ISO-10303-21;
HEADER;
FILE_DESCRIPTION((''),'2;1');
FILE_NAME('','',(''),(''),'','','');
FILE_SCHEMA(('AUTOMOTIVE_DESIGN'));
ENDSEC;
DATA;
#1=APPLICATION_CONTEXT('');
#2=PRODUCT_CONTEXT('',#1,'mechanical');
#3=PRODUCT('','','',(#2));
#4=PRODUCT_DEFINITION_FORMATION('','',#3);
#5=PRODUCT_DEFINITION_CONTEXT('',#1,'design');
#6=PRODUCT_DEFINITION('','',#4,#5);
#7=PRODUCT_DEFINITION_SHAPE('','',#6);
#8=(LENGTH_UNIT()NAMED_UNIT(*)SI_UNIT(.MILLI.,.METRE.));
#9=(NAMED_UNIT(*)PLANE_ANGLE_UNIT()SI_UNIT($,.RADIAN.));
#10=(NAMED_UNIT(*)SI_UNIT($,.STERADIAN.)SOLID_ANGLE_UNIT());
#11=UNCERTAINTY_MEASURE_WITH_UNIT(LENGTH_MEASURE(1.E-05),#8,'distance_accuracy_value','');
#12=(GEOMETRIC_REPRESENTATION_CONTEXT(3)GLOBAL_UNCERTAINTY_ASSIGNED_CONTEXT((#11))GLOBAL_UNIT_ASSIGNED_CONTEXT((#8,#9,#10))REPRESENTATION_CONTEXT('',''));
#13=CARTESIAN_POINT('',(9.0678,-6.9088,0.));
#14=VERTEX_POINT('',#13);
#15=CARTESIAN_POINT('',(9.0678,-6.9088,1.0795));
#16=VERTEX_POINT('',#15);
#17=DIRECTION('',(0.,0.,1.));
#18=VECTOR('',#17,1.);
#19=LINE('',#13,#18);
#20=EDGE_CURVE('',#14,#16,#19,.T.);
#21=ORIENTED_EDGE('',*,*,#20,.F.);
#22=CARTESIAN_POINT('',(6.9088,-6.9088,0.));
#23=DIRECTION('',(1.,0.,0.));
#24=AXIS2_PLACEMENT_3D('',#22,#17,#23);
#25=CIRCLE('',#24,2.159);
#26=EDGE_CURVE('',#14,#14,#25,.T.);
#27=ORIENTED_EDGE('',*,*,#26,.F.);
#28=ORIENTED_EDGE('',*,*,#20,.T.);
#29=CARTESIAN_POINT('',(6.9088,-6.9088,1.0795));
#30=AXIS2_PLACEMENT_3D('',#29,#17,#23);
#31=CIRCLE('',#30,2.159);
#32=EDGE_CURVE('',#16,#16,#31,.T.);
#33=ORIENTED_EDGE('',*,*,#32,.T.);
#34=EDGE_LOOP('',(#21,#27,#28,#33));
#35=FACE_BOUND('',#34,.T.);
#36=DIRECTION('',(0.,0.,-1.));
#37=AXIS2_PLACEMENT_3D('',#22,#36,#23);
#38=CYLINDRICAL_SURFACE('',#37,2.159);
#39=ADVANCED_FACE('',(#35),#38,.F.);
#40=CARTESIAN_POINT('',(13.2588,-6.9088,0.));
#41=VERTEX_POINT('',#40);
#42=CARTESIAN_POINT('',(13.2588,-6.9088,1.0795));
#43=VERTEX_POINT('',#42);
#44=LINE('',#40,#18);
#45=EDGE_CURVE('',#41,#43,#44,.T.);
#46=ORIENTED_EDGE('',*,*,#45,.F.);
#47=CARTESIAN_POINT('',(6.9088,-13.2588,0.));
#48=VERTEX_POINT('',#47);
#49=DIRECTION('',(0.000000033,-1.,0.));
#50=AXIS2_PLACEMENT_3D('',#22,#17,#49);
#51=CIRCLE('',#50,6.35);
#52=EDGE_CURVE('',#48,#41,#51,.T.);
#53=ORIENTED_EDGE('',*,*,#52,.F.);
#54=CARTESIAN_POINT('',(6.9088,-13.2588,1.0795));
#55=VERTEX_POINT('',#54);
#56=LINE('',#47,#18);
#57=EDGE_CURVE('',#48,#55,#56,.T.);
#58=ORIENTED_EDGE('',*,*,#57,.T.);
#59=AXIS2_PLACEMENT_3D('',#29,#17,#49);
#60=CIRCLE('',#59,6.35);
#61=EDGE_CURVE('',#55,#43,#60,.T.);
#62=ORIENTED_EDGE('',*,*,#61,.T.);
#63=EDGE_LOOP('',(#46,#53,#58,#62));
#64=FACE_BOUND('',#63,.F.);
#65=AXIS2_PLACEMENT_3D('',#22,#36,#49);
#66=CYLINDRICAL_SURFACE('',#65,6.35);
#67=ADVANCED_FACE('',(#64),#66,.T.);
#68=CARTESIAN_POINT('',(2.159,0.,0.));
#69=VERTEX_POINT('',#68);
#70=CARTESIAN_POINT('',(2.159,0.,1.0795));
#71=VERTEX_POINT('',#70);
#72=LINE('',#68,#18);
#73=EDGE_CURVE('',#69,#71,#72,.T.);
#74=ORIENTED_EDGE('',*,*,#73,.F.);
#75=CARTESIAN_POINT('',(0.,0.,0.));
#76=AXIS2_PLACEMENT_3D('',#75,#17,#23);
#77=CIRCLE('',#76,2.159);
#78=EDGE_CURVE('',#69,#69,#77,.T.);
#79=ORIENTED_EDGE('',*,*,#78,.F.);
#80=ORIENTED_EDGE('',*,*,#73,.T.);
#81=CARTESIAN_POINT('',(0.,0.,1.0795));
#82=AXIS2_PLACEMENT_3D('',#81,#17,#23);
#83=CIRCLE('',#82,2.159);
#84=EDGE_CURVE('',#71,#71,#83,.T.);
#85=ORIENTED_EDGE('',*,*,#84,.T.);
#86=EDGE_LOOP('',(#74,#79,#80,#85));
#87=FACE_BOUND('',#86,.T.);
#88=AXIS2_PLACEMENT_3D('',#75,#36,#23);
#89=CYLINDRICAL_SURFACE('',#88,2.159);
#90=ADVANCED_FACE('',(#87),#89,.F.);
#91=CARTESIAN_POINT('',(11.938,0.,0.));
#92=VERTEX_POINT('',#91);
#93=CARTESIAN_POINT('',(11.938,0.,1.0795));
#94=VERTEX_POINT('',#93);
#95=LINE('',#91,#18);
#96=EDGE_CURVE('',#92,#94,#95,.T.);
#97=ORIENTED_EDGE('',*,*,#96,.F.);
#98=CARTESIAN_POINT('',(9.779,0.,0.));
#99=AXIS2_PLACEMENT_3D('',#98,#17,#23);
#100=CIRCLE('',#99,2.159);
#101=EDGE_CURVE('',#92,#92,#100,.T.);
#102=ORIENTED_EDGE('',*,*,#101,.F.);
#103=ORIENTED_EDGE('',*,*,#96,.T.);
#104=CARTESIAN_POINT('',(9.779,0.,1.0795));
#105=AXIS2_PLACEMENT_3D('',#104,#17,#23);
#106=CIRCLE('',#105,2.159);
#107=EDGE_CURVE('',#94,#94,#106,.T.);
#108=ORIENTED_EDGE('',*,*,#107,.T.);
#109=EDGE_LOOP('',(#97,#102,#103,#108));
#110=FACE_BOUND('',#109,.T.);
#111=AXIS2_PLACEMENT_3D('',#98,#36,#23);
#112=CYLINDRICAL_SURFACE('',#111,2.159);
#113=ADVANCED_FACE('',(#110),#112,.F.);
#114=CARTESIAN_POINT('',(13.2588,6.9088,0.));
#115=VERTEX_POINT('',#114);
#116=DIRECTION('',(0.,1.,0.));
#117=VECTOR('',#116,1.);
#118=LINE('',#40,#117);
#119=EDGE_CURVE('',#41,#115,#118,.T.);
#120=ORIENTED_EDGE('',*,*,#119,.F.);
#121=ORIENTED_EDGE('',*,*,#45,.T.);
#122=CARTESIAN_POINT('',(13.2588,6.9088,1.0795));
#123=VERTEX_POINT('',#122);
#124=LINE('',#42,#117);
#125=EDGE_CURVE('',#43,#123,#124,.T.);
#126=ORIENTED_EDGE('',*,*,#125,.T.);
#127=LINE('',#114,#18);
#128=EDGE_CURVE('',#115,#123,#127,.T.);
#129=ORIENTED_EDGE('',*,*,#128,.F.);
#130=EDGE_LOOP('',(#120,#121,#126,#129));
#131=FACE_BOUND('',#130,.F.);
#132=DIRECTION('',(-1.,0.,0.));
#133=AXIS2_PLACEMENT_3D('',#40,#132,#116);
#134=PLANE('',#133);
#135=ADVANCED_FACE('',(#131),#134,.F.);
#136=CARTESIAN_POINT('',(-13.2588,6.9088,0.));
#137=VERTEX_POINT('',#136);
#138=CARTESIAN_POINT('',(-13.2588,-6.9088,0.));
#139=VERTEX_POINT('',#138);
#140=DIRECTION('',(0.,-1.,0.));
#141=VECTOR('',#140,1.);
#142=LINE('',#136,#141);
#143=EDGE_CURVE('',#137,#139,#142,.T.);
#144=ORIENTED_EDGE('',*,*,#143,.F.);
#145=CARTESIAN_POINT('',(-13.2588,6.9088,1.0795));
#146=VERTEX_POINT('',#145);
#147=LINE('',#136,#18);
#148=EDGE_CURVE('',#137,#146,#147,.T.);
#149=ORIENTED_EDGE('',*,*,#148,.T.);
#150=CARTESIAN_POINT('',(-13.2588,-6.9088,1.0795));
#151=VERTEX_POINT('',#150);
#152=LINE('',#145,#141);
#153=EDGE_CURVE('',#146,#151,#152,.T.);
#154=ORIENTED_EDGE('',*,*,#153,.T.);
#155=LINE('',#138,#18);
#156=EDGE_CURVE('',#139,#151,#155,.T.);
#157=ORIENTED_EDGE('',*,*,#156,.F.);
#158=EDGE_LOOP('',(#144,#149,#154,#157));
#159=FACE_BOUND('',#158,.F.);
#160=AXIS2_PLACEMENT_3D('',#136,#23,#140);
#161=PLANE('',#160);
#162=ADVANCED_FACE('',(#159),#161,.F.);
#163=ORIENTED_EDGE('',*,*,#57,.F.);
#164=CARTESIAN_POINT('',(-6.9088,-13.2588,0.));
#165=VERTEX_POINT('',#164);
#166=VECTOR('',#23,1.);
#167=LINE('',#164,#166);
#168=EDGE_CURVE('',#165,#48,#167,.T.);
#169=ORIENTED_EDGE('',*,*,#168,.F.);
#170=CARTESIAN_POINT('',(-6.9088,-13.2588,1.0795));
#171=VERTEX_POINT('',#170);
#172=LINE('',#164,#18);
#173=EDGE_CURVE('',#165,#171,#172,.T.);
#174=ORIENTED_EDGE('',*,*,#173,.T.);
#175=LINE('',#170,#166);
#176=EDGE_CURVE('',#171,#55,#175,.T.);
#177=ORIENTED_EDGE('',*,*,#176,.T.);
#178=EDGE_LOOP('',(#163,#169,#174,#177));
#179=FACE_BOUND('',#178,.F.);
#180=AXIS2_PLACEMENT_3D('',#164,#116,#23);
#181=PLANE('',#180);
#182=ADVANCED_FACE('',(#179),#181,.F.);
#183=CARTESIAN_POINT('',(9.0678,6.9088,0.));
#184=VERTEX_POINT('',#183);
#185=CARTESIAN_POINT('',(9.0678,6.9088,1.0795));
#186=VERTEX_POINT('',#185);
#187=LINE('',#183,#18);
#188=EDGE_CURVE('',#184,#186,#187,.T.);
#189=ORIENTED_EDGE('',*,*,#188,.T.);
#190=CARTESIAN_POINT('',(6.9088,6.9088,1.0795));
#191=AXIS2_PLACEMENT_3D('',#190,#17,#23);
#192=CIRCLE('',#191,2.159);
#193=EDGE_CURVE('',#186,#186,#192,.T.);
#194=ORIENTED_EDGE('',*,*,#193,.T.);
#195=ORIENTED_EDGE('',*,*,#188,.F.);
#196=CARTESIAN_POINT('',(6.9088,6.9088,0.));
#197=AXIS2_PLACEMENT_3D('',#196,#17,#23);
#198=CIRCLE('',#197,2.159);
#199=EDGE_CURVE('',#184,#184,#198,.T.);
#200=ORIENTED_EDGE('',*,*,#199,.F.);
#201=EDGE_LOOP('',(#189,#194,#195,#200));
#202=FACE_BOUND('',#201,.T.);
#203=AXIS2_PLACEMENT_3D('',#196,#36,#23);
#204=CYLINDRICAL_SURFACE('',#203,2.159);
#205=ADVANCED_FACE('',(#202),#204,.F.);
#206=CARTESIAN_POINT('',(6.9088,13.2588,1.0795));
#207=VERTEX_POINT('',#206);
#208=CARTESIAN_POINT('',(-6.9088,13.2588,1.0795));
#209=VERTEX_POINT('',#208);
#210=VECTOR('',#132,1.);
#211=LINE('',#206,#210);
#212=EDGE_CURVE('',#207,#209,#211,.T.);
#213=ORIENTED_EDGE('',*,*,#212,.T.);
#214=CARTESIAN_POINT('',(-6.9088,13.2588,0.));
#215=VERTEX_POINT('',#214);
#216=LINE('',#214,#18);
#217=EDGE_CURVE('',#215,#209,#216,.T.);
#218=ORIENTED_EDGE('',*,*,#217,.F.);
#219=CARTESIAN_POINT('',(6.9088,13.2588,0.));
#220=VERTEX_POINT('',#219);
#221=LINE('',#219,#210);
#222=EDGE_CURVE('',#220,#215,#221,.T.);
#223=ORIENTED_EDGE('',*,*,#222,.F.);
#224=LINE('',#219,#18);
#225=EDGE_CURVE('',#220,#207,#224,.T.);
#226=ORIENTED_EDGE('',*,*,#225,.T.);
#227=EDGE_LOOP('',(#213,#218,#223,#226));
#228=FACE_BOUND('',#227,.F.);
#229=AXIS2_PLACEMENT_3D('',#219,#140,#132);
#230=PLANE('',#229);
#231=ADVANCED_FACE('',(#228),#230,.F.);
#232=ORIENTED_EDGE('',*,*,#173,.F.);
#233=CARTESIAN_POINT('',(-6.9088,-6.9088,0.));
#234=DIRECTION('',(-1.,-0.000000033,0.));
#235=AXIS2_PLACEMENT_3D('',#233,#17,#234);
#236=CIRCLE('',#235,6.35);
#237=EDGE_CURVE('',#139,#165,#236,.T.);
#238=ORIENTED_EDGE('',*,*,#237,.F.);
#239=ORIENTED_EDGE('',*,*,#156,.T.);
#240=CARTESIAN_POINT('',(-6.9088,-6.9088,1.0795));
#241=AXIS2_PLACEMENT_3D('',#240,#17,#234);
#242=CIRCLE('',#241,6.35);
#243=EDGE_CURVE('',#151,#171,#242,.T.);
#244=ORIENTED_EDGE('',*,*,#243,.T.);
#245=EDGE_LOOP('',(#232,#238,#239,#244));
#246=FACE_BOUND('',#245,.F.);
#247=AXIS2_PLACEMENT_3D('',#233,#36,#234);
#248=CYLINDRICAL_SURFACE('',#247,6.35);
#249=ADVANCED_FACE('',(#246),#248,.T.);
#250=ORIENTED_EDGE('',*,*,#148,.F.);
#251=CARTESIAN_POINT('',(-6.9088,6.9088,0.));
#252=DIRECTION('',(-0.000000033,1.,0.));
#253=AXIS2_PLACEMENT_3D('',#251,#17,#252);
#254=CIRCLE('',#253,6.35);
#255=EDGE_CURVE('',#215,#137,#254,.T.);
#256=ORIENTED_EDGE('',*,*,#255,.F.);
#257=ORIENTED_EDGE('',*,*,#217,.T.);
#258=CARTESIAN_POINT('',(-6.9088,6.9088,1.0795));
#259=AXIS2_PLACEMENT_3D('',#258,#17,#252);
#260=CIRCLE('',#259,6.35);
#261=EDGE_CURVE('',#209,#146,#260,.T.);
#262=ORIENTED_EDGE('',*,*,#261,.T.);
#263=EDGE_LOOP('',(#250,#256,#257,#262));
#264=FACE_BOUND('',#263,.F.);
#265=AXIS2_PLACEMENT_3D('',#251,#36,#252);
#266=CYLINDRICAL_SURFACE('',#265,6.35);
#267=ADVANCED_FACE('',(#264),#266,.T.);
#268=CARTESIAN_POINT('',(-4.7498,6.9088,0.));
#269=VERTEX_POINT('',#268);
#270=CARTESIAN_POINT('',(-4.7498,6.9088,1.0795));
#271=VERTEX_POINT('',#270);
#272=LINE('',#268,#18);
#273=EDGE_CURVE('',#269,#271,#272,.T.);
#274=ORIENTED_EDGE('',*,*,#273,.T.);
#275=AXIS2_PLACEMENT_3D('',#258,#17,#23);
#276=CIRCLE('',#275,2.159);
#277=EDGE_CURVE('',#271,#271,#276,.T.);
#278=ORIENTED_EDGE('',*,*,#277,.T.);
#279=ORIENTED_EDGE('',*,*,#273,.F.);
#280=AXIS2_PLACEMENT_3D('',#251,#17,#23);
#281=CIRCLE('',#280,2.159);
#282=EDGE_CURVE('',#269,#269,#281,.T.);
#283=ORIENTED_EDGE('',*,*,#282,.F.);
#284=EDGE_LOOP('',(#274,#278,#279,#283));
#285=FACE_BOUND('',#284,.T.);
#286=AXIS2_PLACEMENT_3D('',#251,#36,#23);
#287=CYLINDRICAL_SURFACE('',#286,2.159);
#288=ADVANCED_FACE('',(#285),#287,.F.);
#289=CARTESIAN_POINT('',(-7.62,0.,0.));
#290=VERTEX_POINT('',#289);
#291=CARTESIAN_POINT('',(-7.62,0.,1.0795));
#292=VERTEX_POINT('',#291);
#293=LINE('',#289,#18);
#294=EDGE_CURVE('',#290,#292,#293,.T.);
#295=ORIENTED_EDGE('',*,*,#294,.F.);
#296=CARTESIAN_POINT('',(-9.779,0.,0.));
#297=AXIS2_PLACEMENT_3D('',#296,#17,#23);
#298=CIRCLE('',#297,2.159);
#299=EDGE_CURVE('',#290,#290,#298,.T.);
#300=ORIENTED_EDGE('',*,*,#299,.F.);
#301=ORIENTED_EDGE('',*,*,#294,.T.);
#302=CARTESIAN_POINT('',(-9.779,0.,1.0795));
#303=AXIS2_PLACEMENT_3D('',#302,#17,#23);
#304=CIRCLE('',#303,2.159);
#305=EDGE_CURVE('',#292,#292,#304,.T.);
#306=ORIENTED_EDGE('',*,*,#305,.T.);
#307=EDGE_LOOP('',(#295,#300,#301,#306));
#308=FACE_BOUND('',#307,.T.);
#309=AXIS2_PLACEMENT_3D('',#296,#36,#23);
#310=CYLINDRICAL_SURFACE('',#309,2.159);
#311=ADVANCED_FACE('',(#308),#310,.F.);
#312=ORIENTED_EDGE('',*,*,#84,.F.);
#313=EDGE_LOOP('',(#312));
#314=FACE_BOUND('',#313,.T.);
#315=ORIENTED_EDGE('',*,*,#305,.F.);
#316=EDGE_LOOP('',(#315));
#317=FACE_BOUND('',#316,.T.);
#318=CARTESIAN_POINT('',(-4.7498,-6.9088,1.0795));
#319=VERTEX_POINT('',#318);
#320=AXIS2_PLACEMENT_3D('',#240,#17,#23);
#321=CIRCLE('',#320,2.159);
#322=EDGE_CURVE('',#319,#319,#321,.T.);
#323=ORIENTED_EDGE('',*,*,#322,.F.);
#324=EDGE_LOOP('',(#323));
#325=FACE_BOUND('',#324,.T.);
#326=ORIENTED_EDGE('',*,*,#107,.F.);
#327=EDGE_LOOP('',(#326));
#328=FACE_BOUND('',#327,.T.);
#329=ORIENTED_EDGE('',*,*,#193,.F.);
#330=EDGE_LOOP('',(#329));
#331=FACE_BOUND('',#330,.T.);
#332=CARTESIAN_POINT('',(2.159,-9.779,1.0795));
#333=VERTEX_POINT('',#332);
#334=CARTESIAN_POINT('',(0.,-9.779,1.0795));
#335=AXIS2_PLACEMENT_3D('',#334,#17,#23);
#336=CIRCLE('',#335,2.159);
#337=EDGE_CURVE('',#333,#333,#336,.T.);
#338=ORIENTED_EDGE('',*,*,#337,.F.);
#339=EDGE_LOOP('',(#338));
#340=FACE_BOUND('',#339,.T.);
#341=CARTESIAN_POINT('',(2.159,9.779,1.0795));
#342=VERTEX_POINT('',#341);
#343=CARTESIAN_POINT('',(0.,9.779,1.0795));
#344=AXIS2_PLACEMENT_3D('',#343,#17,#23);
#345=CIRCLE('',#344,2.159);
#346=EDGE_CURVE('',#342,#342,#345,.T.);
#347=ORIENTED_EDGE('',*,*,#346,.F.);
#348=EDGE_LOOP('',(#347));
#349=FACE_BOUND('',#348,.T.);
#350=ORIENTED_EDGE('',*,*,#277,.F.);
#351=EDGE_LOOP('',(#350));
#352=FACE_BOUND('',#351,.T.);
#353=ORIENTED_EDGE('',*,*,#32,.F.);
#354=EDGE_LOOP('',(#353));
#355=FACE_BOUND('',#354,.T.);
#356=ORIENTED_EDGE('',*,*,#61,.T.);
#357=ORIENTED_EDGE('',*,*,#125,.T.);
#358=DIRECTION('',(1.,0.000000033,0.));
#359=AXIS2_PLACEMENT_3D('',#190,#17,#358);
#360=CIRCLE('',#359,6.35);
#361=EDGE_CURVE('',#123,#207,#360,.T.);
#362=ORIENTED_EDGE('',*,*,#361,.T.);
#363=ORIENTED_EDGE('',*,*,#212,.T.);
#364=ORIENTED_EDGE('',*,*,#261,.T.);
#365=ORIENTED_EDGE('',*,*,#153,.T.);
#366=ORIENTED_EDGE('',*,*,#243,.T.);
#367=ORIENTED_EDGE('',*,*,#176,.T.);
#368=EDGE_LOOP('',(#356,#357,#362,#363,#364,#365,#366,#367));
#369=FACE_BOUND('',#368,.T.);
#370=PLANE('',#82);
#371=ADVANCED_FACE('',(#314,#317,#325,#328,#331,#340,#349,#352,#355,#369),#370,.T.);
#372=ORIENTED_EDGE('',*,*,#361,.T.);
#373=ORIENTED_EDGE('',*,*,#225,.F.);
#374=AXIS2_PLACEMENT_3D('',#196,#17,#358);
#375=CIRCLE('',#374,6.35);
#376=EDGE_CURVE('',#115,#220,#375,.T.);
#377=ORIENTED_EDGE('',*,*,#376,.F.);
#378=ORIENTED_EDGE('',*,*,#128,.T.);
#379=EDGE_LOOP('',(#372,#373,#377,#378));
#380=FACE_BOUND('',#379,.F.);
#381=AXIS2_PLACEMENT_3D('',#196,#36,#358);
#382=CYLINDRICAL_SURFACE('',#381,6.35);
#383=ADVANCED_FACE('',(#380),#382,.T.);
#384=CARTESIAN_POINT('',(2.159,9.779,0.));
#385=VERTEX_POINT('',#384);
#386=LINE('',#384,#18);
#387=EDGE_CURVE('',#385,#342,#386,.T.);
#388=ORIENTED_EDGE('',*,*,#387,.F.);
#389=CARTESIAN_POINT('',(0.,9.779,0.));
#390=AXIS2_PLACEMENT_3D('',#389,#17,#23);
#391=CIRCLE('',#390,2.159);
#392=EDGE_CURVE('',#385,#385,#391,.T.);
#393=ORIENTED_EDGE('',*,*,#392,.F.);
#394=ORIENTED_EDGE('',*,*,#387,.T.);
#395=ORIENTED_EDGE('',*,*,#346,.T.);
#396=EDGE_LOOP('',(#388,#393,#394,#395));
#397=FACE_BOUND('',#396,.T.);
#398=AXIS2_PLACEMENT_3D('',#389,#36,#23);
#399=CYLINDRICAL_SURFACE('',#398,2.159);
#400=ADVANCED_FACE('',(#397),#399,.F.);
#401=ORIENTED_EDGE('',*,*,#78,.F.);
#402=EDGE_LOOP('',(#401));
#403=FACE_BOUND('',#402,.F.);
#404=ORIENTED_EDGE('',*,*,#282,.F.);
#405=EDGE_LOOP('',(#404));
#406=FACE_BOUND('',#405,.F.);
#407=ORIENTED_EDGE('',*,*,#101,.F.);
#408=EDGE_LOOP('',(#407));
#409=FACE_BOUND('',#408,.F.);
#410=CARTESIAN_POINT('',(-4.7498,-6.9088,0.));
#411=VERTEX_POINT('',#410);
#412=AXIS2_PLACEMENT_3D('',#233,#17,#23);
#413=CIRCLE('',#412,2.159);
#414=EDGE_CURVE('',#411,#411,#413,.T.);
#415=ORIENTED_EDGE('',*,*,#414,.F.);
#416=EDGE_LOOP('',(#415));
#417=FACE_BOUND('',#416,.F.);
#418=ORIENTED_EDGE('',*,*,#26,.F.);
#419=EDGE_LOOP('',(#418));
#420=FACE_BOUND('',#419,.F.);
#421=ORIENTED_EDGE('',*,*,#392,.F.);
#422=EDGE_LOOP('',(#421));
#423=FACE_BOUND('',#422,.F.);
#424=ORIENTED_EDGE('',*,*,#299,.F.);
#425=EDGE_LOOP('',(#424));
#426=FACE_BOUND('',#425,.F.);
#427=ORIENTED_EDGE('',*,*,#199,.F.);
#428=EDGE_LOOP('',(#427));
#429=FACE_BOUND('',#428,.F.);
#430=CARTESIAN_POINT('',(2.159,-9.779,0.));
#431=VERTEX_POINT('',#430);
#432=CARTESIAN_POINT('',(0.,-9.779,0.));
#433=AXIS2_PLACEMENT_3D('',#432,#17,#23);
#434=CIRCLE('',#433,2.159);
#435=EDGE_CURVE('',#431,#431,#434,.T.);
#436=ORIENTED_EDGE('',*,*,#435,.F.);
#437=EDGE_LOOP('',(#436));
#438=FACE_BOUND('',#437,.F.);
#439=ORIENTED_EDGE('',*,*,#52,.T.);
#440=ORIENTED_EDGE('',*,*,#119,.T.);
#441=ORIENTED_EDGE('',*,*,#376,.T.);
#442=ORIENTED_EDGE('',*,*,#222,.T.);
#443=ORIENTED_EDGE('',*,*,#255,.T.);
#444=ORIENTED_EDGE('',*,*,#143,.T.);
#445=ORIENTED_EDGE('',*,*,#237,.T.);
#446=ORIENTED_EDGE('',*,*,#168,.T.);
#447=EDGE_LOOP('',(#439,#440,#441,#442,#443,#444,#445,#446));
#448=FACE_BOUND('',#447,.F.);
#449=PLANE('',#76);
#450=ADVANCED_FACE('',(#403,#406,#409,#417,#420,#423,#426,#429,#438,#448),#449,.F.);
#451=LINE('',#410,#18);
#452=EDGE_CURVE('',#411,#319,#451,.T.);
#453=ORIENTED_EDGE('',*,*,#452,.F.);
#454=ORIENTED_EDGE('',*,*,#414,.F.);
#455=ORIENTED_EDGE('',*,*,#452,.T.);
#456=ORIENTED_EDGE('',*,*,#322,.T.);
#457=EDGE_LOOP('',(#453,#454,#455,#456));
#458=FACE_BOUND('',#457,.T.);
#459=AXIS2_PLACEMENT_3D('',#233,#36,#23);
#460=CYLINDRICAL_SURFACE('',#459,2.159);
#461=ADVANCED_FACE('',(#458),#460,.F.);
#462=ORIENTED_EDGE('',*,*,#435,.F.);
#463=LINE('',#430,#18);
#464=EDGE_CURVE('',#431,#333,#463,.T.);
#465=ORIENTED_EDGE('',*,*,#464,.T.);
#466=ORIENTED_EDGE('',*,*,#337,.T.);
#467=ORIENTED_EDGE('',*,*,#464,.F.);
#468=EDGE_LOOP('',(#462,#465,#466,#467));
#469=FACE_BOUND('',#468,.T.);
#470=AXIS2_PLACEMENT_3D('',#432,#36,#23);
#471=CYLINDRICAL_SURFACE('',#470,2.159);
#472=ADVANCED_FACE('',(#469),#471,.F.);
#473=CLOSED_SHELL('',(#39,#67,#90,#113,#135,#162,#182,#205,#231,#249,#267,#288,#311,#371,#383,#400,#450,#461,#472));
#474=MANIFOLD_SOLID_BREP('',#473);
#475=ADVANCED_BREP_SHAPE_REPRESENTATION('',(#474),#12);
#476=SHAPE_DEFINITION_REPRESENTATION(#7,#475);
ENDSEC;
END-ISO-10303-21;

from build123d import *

# Parameters (mm, degrees)
F0_R     = 2.159
F1_DEPTH = 1.0795


with BuildPart() as f1:
    # F0 (on Top) → F1 (new body)
    with BuildSketch(Plane.XY):
        with BuildLine():
            ThreePointArc((13.2588, 6.9088), (11.398928, 11.398928), (6.9088, 13.2588))
            Line((6.9088, 13.2588), (-6.9088, 13.2588))
            ThreePointArc((-6.9088, 13.2588), (-11.398928, 11.398928), (-13.2588, 6.9088))
            Line((-13.2588, 6.9088), (-13.2588, -6.9088))
            ThreePointArc((-13.2588, -6.9088), (-11.398928, -11.398928), (-6.9088, -13.2588))
            Line((-6.9088, -13.2588), (6.9088, -13.2588))
            ThreePointArc((6.9088, -13.2588), (11.398928, -11.398928), (13.2588, -6.9088))
            Line((13.2588, -6.9088), (13.2588, 6.9088))
        make_face()
        with Locations((-6.9088, -6.9088)):
            Circle(F0_R, mode=Mode.SUBTRACT)
        with Locations((0, -9.779)):
            Circle(F0_R, mode=Mode.SUBTRACT)
        with Locations((-9.779, 0)):
            Circle(F0_R, mode=Mode.SUBTRACT)
        Circle(F0_R, mode=Mode.SUBTRACT)
        with Locations((6.9088, -6.9088)):
            Circle(F0_R, mode=Mode.SUBTRACT)
        with Locations((9.779, 0)):
            Circle(F0_R, mode=Mode.SUBTRACT)
        with Locations((-6.9088, 6.9088)):
            Circle(F0_R, mode=Mode.SUBTRACT)
        with Locations((0, 9.779)):
            Circle(F0_R, mode=Mode.SUBTRACT)
        with Locations((6.9088, 6.9088)):
            Circle(F0_R, mode=Mode.SUBTRACT)
    extrude(amount=F1_DEPTH)


solid = f1.part
